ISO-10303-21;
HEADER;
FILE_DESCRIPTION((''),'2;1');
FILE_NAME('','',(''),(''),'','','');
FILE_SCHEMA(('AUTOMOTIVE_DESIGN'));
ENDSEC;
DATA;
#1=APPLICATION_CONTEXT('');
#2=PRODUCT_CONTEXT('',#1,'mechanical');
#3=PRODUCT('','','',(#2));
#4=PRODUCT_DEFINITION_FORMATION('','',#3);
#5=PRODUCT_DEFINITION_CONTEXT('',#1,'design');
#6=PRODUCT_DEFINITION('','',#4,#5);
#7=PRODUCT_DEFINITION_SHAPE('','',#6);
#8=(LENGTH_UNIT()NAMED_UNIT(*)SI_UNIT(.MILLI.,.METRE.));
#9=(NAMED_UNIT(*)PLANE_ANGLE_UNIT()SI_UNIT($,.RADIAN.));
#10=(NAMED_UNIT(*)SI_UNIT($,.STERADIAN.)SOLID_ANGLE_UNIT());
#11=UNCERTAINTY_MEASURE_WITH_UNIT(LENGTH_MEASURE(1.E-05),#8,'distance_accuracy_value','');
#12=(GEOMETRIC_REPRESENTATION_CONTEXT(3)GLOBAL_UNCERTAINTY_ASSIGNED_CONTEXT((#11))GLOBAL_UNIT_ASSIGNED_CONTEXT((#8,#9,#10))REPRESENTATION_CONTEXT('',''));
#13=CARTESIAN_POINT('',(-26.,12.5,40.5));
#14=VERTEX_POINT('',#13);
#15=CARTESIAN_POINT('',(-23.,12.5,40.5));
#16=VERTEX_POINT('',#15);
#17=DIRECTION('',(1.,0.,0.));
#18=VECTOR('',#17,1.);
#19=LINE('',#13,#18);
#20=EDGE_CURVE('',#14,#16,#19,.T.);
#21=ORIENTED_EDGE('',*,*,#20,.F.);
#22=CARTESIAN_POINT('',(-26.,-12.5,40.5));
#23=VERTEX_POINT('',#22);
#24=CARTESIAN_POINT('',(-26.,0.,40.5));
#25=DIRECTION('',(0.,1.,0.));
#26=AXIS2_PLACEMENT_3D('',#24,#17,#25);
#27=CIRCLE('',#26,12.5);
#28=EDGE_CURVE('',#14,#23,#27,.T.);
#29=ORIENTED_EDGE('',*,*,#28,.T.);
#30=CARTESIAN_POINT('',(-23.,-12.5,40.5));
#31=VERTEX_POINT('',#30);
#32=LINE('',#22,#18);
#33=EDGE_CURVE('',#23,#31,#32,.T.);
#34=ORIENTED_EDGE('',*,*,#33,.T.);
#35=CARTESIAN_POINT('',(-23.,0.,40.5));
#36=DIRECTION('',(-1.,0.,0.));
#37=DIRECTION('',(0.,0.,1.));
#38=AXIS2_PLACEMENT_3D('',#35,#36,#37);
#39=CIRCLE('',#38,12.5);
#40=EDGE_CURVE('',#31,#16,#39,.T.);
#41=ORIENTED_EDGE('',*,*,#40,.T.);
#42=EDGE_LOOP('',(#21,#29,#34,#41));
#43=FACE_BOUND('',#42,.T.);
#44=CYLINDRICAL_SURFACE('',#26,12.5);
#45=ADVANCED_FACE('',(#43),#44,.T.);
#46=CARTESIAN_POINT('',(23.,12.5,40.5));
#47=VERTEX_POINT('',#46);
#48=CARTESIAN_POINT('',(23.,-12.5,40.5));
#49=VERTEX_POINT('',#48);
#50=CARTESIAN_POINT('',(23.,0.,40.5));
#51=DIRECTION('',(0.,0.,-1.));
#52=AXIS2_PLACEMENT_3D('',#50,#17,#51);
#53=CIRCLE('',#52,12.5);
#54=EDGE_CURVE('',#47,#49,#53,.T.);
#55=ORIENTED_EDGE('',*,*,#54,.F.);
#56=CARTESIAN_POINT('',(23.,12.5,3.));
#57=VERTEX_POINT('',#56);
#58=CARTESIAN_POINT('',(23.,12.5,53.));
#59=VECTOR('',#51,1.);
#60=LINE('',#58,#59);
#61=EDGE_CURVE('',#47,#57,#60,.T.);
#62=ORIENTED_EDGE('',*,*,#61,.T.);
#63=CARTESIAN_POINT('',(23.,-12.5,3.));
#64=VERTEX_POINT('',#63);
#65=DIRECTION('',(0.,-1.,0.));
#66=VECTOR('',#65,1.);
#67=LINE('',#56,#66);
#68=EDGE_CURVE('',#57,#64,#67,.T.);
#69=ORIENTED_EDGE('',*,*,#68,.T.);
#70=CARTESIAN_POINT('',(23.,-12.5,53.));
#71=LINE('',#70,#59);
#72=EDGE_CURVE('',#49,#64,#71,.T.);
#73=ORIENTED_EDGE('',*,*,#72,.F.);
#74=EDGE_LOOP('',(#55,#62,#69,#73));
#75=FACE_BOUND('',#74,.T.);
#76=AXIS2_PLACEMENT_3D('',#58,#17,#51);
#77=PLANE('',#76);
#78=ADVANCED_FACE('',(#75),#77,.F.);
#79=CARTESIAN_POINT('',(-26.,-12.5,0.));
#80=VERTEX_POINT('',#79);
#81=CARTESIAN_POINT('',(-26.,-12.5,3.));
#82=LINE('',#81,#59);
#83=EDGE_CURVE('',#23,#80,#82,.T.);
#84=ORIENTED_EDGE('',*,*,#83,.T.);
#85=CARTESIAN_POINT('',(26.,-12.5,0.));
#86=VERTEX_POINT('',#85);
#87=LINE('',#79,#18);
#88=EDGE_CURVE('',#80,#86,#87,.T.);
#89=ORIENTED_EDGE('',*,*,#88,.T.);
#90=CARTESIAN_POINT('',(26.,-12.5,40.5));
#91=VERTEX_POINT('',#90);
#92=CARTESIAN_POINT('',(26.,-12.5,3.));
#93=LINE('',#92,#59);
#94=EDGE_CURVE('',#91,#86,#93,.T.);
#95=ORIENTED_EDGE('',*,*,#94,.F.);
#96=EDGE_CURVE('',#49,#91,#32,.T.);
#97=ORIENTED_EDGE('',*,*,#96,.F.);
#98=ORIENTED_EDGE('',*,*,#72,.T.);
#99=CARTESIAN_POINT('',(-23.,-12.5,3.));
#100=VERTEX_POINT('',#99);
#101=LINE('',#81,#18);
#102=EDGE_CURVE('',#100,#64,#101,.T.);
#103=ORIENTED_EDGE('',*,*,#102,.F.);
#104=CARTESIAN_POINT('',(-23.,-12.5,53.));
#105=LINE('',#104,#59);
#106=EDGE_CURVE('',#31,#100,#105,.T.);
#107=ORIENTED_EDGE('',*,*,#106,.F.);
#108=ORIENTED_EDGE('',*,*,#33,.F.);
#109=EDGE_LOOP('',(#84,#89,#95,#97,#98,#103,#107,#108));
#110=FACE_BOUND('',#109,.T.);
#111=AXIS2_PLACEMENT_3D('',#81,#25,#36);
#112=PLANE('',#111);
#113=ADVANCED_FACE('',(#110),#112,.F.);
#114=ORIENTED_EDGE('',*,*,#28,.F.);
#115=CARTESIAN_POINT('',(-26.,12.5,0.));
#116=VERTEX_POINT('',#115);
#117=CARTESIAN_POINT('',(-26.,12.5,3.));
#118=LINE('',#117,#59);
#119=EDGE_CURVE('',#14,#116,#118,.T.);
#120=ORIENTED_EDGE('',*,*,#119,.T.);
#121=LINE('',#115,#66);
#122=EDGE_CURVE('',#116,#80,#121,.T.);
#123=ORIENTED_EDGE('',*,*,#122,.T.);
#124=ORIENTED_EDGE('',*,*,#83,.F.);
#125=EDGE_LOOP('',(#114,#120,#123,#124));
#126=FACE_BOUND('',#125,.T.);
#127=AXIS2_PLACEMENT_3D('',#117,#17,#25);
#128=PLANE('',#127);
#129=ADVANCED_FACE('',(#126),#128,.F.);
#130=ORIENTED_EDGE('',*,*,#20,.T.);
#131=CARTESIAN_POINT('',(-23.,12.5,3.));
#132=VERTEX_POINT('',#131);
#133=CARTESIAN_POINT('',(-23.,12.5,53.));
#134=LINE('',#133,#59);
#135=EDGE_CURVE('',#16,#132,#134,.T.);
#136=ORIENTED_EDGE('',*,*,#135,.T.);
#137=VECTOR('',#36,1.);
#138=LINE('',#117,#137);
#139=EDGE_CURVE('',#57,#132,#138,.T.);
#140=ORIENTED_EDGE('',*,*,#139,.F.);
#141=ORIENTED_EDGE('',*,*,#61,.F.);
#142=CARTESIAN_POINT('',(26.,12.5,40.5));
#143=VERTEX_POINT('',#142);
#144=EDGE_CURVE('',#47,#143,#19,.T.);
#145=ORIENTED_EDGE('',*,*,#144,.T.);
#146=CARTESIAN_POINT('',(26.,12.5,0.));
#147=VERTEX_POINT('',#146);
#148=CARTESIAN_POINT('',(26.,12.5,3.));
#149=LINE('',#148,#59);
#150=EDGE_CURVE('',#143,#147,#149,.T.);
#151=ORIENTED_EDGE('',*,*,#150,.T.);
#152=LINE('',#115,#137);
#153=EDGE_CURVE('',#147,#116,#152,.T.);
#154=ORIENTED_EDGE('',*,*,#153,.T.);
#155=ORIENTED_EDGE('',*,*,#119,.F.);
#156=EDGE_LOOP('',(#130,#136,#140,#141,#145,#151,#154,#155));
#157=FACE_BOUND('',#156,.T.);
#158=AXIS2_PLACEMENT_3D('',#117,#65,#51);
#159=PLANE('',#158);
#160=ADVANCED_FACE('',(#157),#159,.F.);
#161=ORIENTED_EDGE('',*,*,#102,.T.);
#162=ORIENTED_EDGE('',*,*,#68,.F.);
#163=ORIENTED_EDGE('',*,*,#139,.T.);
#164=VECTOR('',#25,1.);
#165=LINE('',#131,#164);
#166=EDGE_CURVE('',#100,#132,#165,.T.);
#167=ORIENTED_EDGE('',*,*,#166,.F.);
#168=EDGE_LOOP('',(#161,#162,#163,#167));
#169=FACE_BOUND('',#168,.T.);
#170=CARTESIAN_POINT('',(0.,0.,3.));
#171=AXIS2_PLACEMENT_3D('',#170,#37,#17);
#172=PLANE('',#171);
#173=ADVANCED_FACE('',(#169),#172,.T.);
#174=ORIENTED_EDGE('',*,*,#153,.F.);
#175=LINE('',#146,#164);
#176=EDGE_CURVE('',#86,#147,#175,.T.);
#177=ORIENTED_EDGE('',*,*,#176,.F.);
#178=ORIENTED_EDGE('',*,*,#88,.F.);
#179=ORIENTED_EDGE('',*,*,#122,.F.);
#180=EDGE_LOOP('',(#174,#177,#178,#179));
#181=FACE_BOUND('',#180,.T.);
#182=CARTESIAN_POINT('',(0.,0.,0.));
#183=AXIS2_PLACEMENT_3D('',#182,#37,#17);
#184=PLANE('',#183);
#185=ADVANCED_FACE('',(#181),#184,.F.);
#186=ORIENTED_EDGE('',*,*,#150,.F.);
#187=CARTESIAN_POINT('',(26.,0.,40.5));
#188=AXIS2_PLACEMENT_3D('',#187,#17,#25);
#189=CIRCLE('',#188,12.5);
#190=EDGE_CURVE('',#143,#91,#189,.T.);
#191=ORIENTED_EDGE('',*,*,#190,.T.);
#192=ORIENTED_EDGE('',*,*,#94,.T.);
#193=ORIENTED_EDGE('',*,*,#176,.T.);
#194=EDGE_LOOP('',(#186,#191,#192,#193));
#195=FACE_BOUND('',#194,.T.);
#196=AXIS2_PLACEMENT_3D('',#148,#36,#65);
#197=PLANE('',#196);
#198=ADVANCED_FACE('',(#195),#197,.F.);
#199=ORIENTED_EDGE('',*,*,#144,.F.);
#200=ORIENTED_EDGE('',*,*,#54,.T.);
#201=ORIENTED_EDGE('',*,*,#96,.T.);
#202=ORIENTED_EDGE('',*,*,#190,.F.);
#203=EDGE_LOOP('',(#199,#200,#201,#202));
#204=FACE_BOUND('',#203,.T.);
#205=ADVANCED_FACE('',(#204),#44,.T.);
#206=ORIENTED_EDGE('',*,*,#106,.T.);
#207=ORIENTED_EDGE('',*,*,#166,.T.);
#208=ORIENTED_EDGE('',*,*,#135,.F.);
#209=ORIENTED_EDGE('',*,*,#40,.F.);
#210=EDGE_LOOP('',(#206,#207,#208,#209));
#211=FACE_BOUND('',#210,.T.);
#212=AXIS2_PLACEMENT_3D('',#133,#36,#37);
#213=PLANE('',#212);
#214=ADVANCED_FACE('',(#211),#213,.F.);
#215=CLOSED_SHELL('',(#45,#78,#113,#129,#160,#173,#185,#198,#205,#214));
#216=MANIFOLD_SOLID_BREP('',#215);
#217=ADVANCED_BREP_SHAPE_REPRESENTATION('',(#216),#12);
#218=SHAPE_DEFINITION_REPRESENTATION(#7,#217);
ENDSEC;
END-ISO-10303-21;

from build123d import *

# Parameters (mm, degrees)
SKETCH_1_W          = 52
SKETCH_1_H          = 25
EXTRUDE_1_DEPTH     = 3
SKETCH_2_W          = 3
SKETCH_2_H          = 25
EXTRUDE_2_DEPTH     = 50
CUT_EXTRUDE_1_DEPTH = 76.294422104


with BuildPart() as part:
    # 스케치1 → 보스-돌출1 (new body)
    with BuildSketch(Plane.XY):
        Rectangle(SKETCH_1_W, SKETCH_1_H)
    extrude(amount=EXTRUDE_1_DEPTH)

    # 스케치2 → 보스-돌출2 (add)
    with BuildSketch(Plane.XY.offset(3)):
        with Locations((-24.5, 0)):
            Rectangle(SKETCH_2_W, SKETCH_2_H)
        with Locations((24.5, 0)):
            Rectangle(SKETCH_2_W, SKETCH_2_H)
    extrude(amount=EXTRUDE_2_DEPTH)

    # 스케치3 → 컷-돌출1 (cut, through all)
    with BuildSketch(Plane(origin=(26, 0, 0), x_dir=(0, 0, -1), z_dir=(1, 0, 0))):
        with BuildLine():
            ThreePointArc((-53, 1.56e-07), (-49.33883471, 8.83883482), (-40.5, 12.5))
            Line((-40.5, 12.5), (-53, 12.5))
            Line((-53, 12.5), (-53, 1.56e-07))
        make_face()
        with BuildLine():
            Line((-53, -12.5), (-40.5, -12.5))
            ThreePointArc((-40.5, -12.5), (-49.33883482, -8.83883471), (-53, 1.56e-07))
            Line((-53, 1.56e-07), (-53, -12.5))
        make_face()
    extrude(amount=-CUT_EXTRUDE_1_DEPTH, mode=Mode.SUBTRACT)


solid = part.part
